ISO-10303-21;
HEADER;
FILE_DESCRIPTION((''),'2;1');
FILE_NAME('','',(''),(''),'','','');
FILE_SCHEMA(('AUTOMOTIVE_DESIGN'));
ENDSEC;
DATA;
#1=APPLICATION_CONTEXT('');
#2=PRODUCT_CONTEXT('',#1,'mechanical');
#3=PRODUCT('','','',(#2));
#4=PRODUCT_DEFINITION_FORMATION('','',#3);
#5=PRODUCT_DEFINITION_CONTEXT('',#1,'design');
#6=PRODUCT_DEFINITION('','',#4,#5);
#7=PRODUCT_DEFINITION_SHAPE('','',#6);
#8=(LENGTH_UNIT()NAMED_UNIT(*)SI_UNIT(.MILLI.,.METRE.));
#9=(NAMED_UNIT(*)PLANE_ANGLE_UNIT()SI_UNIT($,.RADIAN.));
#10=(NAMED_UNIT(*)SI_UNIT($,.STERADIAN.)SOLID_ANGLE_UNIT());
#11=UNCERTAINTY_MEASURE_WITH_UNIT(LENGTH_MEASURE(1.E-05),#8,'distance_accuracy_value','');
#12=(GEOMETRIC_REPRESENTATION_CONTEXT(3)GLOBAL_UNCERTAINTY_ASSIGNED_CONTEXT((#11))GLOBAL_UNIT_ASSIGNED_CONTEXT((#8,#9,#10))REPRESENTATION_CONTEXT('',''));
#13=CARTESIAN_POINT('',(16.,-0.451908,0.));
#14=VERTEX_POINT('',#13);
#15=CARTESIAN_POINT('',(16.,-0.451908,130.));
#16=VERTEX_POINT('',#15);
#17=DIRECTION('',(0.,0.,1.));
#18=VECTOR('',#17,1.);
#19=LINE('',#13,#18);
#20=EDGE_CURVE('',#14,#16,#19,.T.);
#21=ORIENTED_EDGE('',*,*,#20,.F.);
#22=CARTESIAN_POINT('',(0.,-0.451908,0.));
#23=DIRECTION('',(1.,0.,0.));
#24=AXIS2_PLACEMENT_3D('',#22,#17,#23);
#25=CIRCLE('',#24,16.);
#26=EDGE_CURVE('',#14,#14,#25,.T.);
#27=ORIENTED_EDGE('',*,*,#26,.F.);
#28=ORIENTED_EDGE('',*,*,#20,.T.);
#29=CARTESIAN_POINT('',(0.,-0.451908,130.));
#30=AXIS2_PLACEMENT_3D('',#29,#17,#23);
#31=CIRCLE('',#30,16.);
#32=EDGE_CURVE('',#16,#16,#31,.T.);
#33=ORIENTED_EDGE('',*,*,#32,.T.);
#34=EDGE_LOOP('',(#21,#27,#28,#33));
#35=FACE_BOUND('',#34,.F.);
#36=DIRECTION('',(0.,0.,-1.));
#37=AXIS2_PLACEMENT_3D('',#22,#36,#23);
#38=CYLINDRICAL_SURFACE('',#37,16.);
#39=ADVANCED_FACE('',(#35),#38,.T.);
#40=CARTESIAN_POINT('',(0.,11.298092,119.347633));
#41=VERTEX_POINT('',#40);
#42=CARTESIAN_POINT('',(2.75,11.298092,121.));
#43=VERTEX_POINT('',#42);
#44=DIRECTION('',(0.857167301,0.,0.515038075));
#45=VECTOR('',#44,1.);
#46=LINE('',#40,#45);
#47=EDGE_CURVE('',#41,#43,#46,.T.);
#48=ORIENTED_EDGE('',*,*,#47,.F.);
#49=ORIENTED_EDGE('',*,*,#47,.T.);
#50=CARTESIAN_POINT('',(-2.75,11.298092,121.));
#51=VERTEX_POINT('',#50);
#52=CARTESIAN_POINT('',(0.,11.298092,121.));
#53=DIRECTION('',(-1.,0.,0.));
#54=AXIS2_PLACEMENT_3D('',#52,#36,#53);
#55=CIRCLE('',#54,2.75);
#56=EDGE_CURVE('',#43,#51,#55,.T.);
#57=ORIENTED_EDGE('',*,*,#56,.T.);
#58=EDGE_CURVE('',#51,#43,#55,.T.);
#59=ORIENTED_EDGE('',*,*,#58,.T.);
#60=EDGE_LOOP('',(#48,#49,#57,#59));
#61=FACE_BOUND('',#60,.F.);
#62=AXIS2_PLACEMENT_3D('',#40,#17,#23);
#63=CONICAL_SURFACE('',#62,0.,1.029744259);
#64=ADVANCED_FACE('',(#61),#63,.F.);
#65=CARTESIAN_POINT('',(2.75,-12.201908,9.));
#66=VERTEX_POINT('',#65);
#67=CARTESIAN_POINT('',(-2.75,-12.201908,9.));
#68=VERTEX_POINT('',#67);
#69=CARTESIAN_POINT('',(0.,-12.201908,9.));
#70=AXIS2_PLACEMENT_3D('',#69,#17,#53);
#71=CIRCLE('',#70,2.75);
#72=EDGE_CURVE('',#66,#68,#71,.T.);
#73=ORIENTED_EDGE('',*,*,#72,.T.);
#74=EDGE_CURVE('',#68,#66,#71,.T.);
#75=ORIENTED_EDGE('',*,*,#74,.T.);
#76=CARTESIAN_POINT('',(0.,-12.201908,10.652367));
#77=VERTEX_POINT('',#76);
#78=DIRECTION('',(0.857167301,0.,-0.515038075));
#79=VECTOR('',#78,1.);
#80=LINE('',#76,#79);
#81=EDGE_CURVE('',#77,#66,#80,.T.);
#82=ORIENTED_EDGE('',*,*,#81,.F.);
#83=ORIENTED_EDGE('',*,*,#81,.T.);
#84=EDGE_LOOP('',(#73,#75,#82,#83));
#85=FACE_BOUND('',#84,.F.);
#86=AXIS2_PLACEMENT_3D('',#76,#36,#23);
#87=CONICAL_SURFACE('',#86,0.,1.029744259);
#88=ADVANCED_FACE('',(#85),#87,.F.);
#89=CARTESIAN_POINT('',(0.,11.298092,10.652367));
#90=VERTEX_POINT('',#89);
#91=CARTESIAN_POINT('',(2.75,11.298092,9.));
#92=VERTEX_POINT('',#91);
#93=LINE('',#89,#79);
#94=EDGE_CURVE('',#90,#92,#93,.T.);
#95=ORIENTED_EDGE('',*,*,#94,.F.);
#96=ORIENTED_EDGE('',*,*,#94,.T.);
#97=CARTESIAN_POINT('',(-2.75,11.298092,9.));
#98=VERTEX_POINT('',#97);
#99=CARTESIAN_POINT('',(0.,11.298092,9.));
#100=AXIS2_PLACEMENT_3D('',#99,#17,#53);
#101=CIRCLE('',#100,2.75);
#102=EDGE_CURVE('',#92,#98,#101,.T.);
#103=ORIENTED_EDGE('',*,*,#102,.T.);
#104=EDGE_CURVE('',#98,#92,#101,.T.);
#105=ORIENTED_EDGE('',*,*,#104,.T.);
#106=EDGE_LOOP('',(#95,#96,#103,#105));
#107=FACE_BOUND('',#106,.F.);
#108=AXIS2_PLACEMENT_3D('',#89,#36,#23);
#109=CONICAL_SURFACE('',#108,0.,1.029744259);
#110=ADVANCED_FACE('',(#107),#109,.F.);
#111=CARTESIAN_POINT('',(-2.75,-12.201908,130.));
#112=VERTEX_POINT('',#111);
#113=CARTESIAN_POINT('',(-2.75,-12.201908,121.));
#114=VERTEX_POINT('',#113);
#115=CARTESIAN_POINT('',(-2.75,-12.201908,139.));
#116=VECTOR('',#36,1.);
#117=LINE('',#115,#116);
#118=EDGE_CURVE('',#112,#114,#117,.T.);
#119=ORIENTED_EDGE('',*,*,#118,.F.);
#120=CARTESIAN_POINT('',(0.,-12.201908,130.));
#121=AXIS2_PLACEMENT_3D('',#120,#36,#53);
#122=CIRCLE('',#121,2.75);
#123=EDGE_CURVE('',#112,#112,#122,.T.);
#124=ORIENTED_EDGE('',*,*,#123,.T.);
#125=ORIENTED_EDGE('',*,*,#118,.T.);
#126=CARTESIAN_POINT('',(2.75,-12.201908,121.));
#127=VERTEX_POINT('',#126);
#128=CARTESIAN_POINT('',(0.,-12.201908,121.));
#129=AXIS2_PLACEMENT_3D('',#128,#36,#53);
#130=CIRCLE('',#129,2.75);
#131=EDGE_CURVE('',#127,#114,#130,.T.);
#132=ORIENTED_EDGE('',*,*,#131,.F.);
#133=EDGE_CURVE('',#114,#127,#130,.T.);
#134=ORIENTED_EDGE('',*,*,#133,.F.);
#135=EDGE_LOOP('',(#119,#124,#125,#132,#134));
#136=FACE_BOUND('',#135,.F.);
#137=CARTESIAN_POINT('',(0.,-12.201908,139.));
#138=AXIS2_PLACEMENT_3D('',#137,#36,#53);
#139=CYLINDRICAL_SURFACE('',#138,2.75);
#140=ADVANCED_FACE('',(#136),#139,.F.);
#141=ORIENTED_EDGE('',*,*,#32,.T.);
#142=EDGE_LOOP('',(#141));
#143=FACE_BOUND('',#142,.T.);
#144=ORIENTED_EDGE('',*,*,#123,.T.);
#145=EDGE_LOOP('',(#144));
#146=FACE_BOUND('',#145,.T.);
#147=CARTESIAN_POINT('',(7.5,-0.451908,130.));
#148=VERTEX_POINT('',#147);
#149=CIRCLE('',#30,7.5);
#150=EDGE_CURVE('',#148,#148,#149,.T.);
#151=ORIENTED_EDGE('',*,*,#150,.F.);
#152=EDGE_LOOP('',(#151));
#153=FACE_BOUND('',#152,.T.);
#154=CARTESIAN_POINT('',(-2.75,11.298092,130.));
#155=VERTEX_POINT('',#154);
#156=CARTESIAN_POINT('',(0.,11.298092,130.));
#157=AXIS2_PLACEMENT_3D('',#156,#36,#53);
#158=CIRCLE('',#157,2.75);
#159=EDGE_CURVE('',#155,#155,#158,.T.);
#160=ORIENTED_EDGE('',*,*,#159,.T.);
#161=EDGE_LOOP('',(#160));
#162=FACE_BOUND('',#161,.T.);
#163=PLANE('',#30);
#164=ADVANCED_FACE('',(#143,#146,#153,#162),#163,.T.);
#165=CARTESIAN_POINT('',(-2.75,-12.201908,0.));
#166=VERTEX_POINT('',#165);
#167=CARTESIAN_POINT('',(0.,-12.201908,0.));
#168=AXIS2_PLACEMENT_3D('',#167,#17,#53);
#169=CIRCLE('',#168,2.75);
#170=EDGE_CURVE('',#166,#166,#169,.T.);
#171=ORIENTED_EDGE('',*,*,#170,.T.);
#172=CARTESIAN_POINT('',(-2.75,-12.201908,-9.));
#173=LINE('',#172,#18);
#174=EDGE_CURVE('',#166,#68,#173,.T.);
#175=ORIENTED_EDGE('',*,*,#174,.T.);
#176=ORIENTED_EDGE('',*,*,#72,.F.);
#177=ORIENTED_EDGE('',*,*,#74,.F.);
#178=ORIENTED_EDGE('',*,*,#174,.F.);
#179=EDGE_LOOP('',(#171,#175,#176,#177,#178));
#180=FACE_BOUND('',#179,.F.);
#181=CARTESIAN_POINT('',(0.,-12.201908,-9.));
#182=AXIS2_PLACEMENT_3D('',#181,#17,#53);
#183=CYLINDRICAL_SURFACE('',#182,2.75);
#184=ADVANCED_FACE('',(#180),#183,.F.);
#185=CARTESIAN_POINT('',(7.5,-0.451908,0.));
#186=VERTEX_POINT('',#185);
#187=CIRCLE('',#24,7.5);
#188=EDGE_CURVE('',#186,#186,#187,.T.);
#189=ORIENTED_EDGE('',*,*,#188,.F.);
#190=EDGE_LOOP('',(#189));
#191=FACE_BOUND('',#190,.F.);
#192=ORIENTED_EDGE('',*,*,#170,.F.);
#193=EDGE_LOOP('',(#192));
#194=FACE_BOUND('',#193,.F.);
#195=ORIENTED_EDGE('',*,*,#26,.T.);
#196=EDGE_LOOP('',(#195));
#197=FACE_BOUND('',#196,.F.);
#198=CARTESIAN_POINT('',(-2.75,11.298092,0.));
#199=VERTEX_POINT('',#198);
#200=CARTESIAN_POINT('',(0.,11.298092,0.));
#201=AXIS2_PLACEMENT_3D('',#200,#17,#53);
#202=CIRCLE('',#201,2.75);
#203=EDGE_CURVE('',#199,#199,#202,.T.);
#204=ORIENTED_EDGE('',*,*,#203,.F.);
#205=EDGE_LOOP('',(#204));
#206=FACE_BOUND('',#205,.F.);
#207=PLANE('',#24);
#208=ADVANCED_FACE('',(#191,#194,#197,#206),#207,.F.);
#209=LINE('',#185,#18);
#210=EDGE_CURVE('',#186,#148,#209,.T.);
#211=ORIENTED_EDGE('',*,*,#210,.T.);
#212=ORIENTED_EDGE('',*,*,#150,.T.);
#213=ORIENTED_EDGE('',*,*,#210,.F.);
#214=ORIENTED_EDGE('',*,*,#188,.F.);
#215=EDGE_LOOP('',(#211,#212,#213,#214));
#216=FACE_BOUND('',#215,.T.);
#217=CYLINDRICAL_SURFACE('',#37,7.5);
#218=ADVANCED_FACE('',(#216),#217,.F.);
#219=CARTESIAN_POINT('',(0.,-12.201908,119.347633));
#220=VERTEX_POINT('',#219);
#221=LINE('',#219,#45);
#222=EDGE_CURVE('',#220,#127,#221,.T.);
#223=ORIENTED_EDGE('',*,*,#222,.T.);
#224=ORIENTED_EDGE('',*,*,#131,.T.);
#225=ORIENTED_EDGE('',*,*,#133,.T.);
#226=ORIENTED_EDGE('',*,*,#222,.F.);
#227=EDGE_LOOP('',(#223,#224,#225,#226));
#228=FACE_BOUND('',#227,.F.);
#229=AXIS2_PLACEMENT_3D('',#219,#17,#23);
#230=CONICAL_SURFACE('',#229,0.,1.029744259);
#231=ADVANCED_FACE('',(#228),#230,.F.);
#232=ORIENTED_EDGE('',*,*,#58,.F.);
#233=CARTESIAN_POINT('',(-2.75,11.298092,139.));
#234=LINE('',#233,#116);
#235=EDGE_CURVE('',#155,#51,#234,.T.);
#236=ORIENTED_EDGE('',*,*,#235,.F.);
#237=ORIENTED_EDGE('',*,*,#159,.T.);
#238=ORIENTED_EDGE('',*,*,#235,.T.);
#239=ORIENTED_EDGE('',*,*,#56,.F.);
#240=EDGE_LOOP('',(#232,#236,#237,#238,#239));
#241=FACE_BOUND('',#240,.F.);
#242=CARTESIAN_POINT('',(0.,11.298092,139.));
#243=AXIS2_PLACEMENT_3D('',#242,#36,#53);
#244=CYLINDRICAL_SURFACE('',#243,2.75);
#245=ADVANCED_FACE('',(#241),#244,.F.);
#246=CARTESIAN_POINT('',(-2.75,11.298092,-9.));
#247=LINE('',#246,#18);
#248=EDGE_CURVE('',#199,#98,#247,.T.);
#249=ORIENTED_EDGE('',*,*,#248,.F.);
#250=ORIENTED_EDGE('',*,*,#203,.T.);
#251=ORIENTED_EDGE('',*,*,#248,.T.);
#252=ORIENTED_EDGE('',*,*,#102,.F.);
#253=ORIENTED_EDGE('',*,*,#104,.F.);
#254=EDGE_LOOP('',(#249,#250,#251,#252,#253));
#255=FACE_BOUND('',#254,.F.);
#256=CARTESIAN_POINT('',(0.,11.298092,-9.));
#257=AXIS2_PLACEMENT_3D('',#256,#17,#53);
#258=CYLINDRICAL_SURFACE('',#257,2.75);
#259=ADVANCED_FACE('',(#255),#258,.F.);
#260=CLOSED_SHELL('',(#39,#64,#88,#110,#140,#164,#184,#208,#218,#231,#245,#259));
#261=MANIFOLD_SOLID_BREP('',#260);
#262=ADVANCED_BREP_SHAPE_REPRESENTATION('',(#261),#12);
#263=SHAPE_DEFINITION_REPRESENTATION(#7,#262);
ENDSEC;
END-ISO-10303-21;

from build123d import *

# Parameters (mm, degrees)
F0_R     = 16
F0_R_2   = 7.5
F1_DEPTH = 130
F3_D     = 5.5
F3_DEPTH = 9
F3_TIP   = 1.6523667023
F4_D     = 5.5
F4_DEPTH = 9
F4_TIP   = 1.6523667023
F6_D     = 5.5
F6_DEPTH = 9
F6_TIP   = 1.6523667023
F7_D     = 5.5
F7_DEPTH = 9
F7_TIP   = 1.6523667023


with BuildPart() as f1:
    # F0 (on Top) → F1 (new body)
    with BuildSketch(Plane.XY):
        with Locations((0, -0.4519075282)):
            Circle(F0_R)
        with Locations((0, -0.4519075282)):
            Circle(F0_R_2, mode=Mode.SUBTRACT)
    extrude(amount=F1_DEPTH)

    # F3
    with Locations(Plane.XY.offset(130)):
        with Locations((0, 11.2980924718)):
            Hole(F3_D / 2, depth=F3_DEPTH)
            with Locations((0, 0, -(F3_DEPTH + F3_TIP / 2))):  # 118° drill point
                Cone(0, F3_D / 2, F3_TIP, mode=Mode.SUBTRACT)

    # F4
    with Locations(Plane.XY.offset(130)):
        with Locations((0, -12.2019075282)):
            Hole(F4_D / 2, depth=F4_DEPTH)
            with Locations((0, 0, -(F4_DEPTH + F4_TIP / 2))):  # 118° drill point
                Cone(0, F4_D / 2, F4_TIP, mode=Mode.SUBTRACT)

    # F6
    with Locations(Plane(origin=(0, 0, 0), x_dir=(1, 0, 0), z_dir=(0, 0, -1))):
        with Locations((0, -11.2980924718)):
            Hole(F6_D / 2, depth=F6_DEPTH)
            with Locations((0, 0, -(F6_DEPTH + F6_TIP / 2))):  # 118° drill point
                Cone(0, F6_D / 2, F6_TIP, mode=Mode.SUBTRACT)

    # F7
    with Locations(Plane(origin=(0, 0, 0), x_dir=(1, 0, 0), z_dir=(0, 0, -1))):
        with Locations((0, 12.2019075282)):
            Hole(F7_D / 2, depth=F7_DEPTH)
            with Locations((0, 0, -(F7_DEPTH + F7_TIP / 2))):  # 118° drill point
                Cone(0, F7_D / 2, F7_TIP, mode=Mode.SUBTRACT)


solid = f1.part
